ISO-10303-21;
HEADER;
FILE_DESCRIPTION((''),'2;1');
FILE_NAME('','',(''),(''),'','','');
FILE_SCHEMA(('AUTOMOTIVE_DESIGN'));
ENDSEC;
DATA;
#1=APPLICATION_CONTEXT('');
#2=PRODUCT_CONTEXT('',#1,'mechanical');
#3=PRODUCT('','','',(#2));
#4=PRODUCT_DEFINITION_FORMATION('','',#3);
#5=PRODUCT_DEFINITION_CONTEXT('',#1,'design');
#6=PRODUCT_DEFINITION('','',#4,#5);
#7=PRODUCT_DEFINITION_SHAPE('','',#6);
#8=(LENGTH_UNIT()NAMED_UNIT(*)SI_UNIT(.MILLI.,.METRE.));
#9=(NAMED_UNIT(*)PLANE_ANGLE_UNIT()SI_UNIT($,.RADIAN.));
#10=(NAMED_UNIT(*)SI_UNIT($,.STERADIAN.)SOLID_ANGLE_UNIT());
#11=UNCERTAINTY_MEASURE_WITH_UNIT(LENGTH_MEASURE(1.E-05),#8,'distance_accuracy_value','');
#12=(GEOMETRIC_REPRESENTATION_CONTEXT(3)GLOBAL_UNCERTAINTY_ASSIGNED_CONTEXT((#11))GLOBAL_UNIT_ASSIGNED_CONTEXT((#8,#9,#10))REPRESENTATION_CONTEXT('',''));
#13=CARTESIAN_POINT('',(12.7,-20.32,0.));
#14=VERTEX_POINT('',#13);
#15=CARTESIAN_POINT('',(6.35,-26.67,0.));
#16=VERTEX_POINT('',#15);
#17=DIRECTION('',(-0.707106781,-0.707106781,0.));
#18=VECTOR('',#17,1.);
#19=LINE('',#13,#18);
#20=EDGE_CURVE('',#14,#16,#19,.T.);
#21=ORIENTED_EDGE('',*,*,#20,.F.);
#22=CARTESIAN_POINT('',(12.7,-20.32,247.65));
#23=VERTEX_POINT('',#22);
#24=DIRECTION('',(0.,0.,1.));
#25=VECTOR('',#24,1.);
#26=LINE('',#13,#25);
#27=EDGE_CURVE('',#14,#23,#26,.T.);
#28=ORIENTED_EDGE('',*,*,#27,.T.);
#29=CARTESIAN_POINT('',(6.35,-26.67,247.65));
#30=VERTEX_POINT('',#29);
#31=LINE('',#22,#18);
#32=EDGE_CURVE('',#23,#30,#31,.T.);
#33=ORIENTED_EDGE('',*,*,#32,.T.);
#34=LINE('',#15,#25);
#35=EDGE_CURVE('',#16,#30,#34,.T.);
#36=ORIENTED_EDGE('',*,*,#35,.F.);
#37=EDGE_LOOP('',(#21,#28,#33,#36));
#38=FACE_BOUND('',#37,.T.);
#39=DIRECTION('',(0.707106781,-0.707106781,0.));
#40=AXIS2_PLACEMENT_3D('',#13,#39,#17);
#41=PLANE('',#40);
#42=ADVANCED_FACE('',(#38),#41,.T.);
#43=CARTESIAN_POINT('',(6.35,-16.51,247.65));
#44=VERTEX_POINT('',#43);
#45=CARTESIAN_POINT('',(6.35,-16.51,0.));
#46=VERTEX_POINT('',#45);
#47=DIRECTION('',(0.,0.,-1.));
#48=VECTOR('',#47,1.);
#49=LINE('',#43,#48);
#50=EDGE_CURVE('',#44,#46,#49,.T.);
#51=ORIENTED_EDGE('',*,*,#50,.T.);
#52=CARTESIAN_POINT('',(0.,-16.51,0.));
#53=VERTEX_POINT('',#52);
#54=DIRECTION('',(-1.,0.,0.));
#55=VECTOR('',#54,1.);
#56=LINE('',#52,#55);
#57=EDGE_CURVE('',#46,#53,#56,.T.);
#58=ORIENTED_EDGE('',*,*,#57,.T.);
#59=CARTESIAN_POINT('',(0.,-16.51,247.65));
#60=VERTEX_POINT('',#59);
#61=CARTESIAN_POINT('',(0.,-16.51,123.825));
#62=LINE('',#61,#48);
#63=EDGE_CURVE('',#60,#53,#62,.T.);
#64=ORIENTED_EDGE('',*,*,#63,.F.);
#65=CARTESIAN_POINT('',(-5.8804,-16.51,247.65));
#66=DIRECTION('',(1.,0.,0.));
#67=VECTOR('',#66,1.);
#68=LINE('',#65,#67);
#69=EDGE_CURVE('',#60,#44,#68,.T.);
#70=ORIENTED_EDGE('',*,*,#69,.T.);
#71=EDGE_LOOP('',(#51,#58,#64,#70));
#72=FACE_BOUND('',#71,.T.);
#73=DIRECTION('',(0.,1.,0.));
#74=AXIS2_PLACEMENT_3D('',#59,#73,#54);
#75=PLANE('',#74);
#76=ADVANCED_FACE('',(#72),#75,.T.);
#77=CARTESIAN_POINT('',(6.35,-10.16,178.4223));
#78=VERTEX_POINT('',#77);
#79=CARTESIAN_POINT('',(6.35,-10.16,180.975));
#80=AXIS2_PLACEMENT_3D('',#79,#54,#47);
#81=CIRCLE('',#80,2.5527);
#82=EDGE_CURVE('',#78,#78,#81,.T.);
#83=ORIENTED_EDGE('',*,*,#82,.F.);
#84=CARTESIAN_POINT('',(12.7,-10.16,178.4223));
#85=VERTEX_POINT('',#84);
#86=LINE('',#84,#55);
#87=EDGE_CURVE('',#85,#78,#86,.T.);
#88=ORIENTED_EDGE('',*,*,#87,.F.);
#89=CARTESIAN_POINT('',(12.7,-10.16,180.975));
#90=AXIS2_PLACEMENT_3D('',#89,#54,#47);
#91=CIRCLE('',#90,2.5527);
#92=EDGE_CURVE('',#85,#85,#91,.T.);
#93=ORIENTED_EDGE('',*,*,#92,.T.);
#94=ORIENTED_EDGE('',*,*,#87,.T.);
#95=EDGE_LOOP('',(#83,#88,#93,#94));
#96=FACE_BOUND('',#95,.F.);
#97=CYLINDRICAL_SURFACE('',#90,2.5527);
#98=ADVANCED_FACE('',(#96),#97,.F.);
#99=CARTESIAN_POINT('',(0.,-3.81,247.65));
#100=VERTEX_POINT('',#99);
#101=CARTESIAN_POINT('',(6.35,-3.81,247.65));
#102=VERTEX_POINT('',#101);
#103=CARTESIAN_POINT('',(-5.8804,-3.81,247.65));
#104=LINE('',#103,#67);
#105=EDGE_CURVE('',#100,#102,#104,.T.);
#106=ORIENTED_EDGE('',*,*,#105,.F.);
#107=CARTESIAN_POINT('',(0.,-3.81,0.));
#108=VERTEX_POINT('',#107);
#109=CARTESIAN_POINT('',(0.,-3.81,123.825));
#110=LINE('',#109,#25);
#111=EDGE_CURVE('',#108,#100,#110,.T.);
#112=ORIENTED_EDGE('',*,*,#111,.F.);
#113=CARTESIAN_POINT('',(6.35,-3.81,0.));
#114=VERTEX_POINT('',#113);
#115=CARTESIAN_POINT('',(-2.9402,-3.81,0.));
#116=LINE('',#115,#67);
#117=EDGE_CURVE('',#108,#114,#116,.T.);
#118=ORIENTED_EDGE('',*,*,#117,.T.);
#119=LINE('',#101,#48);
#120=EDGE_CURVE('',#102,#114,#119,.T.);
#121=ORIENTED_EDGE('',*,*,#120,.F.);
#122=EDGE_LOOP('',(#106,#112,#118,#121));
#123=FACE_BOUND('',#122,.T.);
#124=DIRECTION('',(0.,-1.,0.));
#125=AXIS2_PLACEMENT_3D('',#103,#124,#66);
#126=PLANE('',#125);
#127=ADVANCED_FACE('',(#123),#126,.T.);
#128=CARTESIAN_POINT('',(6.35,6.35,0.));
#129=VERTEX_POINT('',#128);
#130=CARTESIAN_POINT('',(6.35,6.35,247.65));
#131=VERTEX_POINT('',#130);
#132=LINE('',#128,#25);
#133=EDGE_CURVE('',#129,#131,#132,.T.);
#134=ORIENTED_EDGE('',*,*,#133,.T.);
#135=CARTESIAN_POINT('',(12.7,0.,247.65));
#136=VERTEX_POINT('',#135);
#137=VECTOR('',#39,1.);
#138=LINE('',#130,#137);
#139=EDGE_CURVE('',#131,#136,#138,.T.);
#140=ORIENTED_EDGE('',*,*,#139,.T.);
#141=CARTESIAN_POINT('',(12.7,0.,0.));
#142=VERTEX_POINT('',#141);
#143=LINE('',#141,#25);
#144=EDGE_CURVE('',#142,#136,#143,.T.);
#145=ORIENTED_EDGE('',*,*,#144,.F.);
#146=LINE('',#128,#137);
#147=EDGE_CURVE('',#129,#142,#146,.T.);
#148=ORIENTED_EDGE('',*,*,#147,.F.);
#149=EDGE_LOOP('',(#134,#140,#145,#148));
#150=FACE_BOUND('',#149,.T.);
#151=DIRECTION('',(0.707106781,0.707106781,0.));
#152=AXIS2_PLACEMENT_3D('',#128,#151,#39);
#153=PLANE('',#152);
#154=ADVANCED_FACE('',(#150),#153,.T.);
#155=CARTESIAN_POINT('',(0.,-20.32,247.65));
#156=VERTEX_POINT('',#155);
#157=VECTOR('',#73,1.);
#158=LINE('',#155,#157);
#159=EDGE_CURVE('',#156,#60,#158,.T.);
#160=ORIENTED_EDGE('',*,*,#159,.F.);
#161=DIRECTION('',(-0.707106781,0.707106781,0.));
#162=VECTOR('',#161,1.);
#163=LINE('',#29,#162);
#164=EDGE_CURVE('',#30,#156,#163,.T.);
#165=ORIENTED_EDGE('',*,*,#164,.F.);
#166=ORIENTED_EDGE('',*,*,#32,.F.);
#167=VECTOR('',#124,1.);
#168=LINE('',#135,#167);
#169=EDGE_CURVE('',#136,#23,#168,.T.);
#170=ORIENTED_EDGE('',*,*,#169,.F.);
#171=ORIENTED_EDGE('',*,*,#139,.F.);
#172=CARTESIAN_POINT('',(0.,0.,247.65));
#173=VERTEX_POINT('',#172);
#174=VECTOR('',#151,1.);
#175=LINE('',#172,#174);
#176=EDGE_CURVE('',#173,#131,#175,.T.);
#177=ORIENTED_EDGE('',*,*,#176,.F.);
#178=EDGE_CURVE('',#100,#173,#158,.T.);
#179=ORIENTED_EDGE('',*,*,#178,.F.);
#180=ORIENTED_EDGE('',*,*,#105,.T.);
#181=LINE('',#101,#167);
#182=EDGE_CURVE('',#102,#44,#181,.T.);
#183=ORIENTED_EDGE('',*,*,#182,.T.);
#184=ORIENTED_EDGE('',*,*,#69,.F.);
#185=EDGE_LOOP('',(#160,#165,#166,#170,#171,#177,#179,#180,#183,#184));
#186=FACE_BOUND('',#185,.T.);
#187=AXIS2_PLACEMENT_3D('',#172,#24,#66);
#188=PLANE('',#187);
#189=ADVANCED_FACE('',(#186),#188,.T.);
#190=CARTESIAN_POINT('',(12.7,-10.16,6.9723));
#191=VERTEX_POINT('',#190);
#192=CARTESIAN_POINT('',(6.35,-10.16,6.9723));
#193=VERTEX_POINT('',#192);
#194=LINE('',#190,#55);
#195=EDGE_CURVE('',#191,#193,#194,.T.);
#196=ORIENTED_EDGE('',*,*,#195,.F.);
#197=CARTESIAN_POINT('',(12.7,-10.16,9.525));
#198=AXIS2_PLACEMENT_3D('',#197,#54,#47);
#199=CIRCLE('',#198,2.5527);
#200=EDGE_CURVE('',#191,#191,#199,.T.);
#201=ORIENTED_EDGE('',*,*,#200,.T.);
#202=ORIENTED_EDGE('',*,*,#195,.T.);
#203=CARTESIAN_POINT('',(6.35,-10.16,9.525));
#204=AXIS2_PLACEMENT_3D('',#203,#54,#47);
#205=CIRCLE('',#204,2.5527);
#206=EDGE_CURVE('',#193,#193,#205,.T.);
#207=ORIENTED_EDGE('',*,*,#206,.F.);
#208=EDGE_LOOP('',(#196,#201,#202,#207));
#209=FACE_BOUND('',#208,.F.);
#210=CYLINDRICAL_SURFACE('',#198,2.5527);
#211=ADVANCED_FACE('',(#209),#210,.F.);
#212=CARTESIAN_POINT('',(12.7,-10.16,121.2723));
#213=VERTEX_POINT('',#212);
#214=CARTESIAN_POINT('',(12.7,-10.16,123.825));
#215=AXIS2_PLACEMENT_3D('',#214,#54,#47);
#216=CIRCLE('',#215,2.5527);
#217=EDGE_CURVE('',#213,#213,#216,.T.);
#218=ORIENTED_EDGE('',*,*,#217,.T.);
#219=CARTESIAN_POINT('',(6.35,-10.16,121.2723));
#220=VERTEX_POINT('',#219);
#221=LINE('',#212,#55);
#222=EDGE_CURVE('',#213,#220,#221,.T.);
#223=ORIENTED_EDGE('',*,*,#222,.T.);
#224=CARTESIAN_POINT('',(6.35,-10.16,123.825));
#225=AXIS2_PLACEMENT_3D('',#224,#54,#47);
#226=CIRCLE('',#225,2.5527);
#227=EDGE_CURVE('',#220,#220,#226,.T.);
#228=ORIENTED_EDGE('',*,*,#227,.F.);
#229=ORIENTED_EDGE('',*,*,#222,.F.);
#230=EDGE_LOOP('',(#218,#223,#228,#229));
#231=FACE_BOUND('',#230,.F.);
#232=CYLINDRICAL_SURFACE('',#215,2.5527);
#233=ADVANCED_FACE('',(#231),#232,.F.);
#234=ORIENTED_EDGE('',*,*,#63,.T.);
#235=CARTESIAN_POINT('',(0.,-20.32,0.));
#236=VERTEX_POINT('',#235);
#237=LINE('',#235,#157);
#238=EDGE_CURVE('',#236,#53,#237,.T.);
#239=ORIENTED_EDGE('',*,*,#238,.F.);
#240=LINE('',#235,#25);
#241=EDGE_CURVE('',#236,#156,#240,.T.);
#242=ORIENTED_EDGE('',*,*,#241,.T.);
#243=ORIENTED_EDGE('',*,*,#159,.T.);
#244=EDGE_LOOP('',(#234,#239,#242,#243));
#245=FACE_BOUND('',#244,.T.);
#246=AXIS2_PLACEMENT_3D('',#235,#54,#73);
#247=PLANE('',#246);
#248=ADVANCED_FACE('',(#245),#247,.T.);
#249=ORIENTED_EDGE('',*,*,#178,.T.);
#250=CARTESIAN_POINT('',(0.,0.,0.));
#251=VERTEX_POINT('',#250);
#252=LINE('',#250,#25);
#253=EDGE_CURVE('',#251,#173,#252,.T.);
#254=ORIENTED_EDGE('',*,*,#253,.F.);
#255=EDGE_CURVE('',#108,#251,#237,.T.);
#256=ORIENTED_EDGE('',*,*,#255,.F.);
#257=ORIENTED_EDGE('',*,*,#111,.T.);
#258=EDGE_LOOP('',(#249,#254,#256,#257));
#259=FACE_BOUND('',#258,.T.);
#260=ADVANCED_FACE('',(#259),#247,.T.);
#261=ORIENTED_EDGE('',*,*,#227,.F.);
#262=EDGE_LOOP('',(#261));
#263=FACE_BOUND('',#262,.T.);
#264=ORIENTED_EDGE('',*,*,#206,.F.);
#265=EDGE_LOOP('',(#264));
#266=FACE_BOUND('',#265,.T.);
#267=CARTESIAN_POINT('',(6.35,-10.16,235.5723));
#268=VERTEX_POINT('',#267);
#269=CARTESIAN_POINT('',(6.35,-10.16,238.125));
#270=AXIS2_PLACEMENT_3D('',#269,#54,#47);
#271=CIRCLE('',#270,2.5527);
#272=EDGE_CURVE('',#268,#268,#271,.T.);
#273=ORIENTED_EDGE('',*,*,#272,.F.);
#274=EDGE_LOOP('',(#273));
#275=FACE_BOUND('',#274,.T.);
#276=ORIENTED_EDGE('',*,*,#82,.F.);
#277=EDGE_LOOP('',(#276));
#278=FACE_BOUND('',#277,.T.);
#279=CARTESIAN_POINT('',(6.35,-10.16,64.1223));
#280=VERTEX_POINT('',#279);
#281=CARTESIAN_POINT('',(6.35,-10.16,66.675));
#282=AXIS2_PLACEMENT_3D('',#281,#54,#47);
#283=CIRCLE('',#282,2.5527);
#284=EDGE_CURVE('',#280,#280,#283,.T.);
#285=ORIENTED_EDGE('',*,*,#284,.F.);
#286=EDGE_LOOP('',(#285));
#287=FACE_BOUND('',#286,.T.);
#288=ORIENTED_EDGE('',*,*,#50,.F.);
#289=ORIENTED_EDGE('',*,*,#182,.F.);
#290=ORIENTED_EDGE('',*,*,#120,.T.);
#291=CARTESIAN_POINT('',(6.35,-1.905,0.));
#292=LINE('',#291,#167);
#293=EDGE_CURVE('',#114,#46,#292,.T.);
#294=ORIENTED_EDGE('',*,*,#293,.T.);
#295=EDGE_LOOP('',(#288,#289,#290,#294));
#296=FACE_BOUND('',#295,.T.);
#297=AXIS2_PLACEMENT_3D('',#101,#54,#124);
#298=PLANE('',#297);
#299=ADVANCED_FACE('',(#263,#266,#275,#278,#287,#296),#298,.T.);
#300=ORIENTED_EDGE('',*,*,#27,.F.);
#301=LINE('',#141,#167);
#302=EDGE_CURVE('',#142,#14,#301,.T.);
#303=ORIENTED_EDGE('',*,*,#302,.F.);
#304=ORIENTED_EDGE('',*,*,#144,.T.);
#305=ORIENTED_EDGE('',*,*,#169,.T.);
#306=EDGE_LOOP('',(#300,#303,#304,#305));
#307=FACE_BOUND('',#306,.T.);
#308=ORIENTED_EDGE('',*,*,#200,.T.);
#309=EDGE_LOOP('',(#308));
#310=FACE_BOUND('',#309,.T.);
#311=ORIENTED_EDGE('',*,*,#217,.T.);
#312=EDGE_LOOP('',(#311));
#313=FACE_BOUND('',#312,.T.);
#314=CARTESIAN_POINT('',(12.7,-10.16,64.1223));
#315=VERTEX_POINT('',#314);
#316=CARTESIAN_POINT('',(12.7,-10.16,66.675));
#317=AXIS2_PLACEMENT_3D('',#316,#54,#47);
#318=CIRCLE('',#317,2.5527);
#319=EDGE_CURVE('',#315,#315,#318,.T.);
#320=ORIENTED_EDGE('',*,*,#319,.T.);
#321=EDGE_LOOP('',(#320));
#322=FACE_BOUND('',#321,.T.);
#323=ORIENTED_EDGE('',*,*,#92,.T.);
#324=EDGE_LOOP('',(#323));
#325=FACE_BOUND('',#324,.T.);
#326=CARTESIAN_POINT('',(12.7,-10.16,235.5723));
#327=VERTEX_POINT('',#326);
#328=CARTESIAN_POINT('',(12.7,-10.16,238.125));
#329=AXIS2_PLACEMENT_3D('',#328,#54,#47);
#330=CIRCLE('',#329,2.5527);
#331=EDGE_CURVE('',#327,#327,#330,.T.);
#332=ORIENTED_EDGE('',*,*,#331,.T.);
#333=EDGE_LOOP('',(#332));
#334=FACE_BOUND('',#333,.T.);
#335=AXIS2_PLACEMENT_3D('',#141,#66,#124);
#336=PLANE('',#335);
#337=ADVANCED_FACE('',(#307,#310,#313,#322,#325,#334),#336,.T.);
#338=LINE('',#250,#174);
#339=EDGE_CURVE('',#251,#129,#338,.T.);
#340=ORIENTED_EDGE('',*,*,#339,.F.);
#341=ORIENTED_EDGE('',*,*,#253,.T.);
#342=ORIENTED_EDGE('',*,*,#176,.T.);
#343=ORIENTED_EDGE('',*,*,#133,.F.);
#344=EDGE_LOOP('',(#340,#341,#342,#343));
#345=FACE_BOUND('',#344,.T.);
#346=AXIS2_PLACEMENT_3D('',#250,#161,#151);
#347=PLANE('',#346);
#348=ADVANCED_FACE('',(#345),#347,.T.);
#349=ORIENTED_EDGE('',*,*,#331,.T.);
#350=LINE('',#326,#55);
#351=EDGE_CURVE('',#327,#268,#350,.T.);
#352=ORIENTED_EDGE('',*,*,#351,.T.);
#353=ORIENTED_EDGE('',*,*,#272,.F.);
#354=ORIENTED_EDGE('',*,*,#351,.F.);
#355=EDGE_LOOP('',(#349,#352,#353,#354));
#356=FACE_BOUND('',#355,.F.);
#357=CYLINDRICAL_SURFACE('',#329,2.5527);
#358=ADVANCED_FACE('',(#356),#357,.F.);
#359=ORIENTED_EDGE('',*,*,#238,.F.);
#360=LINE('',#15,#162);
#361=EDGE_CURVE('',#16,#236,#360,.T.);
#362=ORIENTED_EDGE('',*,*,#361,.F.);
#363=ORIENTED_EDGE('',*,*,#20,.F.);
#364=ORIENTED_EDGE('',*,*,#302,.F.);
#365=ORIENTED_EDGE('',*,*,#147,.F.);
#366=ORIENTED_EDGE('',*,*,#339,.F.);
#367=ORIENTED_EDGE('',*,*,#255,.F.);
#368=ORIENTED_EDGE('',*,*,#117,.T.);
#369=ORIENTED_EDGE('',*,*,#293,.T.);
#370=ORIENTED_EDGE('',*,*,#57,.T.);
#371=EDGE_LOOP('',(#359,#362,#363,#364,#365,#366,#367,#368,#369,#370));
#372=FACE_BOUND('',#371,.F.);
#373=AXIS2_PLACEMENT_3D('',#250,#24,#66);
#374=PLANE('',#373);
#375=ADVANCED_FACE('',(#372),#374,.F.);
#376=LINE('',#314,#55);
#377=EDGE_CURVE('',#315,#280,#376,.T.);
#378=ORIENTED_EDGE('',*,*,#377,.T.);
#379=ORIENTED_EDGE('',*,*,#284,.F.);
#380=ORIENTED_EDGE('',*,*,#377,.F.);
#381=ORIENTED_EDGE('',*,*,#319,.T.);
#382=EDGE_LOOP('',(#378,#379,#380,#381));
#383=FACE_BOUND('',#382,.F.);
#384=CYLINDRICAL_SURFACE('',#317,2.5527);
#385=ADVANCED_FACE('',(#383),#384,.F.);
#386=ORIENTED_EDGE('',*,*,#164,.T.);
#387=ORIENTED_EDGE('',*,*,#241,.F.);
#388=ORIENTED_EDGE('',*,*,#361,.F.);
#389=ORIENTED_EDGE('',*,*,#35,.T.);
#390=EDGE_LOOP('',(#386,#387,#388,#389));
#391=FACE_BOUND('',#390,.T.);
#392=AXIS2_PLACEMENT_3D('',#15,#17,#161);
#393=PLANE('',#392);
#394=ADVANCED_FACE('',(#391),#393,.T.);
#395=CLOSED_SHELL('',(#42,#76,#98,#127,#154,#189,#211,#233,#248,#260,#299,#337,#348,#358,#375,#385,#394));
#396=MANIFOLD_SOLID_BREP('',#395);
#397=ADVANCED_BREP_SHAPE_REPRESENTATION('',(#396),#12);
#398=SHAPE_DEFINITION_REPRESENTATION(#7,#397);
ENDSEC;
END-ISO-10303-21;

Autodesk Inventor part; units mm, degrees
ref_plane "YZ Plane" through (0, 0, 0) normal (1, 0, 0) x (0, 1, 0)
sketch "Sketch1" plane through (0, 0, 0) normal (0, 0, 1) x (1, 0, 0)
  line L0 (0, 0) -> (12.7, 0)
  line L1 (12.7, 0) -> (12.7, -20.32)
  line L2 (12.7, -20.32) -> (0, -20.32)
  line L3 (0, -20.32) -> (0, 0)
  line L4 (0, 0) -> (6.35, 6.35)
  line L5 (12.7, -20.32) -> (6.35, -26.67)
  line L6 (6.35, -26.67) -> (0, -20.32)
  line L7 (6.35, 6.35) -> (12.7, 0)
  dimension "d0" = 90
  dimension "d1" = 90
  dimension "d2" = 33.02
  dimension "d3" = 12.7
extrude "Extrusion1" add sketch "Sketch1" along normal blind 247.65
sketch "Sketch6" plane through (0, 0, 247.65) normal (0, 0, 1) x (1, 0, 0)
  line L0 (-5.8804, -3.81) -> (6.35, -3.81)
  line L1 (6.35, -3.81) -> (6.35, -16.51)
  line L2 (6.35, -16.51) -> (-5.8804, -16.51)
  line L3 (-5.8804, -16.51) -> (-5.8804, -3.81)
  line L4 (12.7, -20.32) -> (12.7, 0) projected
  line L5 (0, 0) -> (0, -20.32) projected
  point P0 (6.35, -10.16)
  point P1 (12.7, -10.16)
  dimension "d43" = 12.7
  dimension "d44" = 6.35
extrude "Extrusion5" cut sketch "Sketch6" against normal through all
ref_plane "Work Plane1" through (6.35, -20.32, 0) normal (1, 0, 0) x (0, 0, -1)
ref_plane "Work Plane2" through (0, -10.16, 0) normal (0, 1, 0) x (-1, 0, 0)
sketch "Sketch2" plane through (12.7, -20.32, 0) normal (1, 0, 0) x (0, 0, -1)
  line L0 (-247.65, 0) -> (-247.65, 20.32) projected
  line L1 (0, 20.32) -> (-247.65, 20.32) projected
  line L2 (0, 20.32) -> (0, 0) projected
  line L3 (0, 0) -> (-247.65, 0) projected
  circle A0 centre (-238.125, 10.16) radius 4.7625
  circle A1 centre (-9.525, 10.16) radius 4.7625
  line L4 (-233.3625, 16.7388) -> (-233.3625, 5.4122)
  line L5 (-14.2875, 15.6909) -> (-14.2875, 3.5669)
  point P0 (0, 10.16)
  point P1 (-180.975, 10.16)
  point P2 (-66.675, 10.16)
  point P3 (-123.825, 10.16)
  dimension "d28" = 9.525
  dimension "d47" = 9.525
  dimension "d48" = 57.15
  dimension "d49" = 57.15
  dimension "d51" = 9.525
  dimension "d52" = 219.075
  dimension "d56" = 57.15
  dimension "d59" = 228.6
  dimension "d60" = 57.15
hole "Hole2" at (12.7, -10.16, 9.525) at (12.7, -10.16, 180.975) at (12.7, -10.16, 66.675) at (12.7, -10.16, 238.125) at (12.7, -10.16, 123.825) direction (-1, 0, 0) diameter 5.1054 end through all clearance for "Flat Head Machine Screw (82)" size "#10" standard "Ansi Unified Screw Threads"
properties part number "SC Path" material "Aluminum 6061"
